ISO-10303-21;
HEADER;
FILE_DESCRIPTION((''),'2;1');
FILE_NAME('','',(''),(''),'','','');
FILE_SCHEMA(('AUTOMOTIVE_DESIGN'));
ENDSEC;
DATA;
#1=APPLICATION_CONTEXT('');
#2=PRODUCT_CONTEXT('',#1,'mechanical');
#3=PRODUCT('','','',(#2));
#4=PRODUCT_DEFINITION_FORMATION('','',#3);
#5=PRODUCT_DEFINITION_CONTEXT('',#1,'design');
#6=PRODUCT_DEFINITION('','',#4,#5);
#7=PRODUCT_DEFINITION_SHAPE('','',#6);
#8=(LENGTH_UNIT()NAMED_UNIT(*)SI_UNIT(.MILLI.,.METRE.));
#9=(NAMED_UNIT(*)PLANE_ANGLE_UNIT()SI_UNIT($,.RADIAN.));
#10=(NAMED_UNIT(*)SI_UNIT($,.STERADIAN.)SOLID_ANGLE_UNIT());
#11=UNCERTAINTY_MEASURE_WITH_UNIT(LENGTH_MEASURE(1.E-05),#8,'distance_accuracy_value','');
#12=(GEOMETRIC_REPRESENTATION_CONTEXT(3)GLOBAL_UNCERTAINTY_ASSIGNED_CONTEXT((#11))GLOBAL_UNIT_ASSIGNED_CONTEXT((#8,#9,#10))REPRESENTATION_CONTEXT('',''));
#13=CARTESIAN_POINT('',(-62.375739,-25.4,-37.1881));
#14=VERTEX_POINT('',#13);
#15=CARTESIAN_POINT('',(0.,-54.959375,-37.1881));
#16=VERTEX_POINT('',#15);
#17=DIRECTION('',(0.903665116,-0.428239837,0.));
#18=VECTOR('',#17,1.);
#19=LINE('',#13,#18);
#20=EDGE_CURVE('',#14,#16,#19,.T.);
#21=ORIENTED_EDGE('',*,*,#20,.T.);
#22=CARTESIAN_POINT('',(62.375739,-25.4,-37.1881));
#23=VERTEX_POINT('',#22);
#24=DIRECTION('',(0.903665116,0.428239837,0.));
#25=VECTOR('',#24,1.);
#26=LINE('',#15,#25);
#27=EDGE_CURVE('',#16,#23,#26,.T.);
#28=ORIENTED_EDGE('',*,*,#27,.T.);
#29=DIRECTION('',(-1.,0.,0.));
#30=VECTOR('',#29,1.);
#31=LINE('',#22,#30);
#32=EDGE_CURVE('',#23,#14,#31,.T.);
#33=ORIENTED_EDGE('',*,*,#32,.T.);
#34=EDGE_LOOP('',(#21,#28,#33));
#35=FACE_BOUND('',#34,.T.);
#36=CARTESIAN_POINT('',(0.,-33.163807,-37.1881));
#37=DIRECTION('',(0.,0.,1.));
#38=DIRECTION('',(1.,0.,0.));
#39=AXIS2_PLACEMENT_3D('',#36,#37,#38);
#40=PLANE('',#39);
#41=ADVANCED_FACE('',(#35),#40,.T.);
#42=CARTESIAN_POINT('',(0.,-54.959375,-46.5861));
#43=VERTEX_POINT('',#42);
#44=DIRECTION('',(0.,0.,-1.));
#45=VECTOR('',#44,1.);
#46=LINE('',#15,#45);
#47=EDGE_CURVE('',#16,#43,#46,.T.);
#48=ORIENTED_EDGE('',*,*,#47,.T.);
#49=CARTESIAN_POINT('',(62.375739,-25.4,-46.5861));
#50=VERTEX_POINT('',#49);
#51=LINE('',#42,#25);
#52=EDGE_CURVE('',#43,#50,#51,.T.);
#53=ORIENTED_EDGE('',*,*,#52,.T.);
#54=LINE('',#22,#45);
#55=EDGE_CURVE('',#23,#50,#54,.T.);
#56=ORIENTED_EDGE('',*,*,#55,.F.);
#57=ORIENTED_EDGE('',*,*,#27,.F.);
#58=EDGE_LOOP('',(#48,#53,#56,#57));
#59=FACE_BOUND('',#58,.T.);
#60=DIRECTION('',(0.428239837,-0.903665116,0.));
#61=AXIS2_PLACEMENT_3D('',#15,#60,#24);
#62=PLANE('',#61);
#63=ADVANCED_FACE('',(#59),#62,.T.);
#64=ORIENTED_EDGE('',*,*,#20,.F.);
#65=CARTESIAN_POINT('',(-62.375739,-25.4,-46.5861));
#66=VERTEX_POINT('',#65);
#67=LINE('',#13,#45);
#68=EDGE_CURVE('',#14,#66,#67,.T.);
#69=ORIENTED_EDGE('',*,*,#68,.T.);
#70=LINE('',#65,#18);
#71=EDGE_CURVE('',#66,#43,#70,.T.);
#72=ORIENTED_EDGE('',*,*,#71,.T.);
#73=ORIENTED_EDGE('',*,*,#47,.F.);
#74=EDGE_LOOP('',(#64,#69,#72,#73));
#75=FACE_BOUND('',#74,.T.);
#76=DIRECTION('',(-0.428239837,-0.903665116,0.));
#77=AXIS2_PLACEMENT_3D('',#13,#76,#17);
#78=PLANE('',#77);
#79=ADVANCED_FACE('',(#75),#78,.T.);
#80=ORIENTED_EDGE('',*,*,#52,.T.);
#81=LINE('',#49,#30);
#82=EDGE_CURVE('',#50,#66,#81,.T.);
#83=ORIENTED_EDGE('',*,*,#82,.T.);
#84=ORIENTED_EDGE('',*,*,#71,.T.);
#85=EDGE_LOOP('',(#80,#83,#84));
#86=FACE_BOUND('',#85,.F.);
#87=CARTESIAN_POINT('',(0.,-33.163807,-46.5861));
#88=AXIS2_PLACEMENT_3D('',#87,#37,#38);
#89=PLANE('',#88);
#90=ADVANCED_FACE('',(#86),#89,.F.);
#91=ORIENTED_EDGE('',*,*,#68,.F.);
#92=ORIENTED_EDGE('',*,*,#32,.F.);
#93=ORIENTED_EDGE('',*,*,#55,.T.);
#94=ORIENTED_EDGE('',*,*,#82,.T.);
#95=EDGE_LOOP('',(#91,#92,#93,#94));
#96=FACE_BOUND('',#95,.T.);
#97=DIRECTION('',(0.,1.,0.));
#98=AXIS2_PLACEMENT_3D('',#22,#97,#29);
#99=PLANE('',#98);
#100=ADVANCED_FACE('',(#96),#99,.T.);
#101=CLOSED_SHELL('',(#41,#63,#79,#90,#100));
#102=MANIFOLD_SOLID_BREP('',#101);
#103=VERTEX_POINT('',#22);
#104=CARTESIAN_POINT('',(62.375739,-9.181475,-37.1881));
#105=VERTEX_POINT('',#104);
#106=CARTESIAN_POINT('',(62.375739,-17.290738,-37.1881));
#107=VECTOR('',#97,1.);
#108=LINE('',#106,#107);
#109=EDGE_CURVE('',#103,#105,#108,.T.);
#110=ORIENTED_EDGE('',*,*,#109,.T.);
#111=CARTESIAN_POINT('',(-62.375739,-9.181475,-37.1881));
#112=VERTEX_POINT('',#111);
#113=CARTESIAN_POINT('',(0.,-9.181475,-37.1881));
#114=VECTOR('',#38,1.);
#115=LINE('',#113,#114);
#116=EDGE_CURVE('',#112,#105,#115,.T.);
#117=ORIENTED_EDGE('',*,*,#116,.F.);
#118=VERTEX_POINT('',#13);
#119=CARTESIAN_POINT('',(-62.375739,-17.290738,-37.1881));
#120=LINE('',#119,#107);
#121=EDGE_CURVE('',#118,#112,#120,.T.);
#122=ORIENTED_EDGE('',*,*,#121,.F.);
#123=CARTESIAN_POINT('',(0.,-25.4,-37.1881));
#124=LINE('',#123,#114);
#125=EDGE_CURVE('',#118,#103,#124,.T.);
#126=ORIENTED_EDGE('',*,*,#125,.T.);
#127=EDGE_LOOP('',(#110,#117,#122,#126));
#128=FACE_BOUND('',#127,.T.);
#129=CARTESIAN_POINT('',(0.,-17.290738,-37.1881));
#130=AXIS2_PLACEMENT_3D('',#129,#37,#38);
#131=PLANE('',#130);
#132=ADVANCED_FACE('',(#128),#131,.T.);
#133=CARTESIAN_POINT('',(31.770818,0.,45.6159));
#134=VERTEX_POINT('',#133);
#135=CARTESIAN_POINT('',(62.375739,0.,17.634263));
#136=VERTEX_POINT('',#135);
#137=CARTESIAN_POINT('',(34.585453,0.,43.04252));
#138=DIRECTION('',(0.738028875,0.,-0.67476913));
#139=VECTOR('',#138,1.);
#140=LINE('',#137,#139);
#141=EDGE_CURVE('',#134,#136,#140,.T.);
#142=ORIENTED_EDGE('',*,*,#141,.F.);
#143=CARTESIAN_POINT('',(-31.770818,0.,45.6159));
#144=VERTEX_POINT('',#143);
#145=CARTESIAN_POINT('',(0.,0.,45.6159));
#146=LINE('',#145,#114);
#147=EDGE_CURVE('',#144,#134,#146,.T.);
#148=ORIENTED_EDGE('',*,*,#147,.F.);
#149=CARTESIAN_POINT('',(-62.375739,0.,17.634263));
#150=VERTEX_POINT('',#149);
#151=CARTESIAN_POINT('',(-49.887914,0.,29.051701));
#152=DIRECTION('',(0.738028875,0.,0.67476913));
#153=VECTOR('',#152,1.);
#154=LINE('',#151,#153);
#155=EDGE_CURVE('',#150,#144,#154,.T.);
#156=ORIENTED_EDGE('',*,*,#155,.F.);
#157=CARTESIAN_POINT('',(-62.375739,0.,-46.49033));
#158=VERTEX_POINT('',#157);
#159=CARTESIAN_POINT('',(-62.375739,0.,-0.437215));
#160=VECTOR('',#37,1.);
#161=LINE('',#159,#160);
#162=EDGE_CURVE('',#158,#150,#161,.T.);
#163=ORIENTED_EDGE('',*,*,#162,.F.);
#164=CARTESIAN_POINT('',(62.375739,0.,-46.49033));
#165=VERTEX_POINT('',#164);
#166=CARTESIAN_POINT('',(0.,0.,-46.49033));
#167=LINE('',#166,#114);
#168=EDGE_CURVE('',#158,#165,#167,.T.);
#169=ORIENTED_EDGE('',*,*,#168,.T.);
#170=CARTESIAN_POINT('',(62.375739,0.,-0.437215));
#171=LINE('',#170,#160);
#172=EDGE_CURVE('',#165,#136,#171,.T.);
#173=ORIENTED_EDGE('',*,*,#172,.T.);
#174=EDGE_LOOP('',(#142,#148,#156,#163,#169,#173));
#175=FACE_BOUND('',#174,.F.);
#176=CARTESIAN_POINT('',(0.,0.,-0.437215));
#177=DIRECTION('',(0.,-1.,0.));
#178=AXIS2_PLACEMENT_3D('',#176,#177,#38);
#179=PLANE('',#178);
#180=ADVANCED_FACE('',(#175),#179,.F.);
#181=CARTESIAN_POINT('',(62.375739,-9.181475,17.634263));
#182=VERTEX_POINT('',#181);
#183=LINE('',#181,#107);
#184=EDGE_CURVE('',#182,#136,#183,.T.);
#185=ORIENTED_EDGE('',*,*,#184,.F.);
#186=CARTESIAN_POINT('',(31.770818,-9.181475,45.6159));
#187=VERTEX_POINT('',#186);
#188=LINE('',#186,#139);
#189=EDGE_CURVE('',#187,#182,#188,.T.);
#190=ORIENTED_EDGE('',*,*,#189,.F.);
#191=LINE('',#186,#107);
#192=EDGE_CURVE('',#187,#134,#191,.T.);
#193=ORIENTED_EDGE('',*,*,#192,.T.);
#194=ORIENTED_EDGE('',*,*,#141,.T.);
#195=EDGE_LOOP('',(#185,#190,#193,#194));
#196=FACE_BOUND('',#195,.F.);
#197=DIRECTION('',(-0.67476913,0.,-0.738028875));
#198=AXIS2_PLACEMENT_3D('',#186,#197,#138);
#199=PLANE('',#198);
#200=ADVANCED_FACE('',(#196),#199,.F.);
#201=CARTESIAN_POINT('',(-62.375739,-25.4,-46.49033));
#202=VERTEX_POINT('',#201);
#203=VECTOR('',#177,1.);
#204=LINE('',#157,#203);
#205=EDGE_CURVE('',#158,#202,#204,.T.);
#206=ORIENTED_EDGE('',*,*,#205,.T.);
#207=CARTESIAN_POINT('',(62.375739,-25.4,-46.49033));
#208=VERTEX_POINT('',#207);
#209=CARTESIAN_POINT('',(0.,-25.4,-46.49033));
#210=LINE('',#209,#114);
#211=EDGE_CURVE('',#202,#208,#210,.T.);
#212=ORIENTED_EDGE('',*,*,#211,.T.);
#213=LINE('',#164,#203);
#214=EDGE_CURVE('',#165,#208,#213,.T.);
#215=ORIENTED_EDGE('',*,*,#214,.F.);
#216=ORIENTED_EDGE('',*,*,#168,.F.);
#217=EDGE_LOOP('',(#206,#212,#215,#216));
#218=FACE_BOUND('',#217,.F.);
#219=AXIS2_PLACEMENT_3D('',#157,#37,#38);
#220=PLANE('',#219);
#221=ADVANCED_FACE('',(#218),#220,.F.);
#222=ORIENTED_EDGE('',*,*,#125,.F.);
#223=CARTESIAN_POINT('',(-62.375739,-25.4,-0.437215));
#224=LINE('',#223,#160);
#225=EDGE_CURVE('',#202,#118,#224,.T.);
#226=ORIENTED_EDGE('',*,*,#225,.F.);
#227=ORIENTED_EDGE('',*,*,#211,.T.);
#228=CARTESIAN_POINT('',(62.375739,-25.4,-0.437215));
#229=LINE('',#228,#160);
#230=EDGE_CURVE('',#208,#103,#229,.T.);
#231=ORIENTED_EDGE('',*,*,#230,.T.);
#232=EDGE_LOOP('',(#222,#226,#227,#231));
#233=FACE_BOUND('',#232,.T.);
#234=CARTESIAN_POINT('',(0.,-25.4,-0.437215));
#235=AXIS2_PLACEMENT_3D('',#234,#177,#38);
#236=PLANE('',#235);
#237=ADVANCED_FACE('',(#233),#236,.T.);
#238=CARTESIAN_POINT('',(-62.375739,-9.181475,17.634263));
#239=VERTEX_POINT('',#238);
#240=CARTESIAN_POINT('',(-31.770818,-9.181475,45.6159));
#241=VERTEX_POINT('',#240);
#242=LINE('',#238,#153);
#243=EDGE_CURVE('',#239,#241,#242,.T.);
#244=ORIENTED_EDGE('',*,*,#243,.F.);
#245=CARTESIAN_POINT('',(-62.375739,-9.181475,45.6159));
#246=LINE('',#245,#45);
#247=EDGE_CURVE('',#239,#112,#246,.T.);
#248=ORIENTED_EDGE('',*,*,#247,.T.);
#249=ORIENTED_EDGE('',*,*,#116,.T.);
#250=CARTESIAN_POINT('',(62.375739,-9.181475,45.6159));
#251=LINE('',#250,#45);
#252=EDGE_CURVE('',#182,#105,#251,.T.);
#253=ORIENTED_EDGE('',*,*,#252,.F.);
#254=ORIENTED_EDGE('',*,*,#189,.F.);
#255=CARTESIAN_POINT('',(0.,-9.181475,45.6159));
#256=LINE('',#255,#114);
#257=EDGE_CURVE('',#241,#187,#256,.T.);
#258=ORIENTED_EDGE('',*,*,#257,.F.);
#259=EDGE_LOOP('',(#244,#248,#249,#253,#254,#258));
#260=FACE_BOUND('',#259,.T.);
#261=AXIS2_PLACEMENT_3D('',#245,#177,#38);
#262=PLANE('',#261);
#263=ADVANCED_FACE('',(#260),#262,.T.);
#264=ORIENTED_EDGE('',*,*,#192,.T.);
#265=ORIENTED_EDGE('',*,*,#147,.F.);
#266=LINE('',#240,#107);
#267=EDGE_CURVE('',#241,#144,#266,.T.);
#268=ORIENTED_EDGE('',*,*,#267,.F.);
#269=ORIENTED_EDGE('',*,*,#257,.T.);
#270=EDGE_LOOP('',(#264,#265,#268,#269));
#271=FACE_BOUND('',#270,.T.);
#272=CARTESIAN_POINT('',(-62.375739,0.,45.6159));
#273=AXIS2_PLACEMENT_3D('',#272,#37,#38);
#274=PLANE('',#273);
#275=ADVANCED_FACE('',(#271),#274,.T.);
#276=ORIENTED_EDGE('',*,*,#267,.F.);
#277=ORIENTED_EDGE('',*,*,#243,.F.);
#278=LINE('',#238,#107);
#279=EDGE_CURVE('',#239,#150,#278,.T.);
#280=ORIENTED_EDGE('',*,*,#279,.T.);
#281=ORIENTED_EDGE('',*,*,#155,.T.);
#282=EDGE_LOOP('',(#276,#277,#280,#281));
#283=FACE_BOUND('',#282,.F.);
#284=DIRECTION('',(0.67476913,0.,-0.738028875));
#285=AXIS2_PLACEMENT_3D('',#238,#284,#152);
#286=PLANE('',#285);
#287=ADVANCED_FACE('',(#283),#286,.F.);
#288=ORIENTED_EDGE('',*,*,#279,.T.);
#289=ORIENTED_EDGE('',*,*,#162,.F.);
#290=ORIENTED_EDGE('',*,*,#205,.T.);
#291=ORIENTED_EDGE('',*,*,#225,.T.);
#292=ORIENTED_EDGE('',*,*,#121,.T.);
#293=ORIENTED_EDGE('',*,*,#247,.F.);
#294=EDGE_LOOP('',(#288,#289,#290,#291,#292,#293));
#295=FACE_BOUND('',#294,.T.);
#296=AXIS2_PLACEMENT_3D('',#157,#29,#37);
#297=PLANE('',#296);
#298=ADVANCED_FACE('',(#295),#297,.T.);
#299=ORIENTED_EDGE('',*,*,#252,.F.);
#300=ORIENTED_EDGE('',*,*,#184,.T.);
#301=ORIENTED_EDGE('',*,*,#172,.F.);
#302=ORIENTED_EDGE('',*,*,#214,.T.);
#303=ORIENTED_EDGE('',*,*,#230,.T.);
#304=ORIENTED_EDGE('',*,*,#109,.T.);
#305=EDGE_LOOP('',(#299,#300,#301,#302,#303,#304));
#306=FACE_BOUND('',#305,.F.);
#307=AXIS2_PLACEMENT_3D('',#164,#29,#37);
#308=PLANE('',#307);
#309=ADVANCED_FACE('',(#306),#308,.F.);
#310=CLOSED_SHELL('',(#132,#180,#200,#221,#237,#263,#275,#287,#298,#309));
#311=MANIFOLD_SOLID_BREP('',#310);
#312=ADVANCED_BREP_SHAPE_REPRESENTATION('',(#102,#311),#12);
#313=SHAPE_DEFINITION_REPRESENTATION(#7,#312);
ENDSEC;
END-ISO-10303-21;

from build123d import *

# Parameters (mm, degrees)
F0_W     = 124.7514784336
F0_H     = 92.106230557
F1_DEPTH = 25.4
F2_W     = 124.7514784336
F2_H     = 16.2185247332
F3_DEPTH = 82.804
F5_DEPTH = 25.4
F7_DEPTH = 9.398


with BuildPart() as f1:
    # F0 (on Front) → F1 (new body)
    with BuildSketch(Plane.XZ):
        with Locations((0, -0.4372149706)):
            Rectangle(F0_W, F0_H)
    extrude(amount=F1_DEPTH)

    # F2 (on face) → F3 (cut)
    with BuildSketch(Plane.XY.offset(45.6159003079)):
        with Locations((0, -17.2907376334)):
            Rectangle(F2_W, F2_H)
    extrude(amount=-F3_DEPTH, mode=Mode.SUBTRACT)

    # F4 (on face) → F5 (cut)
    with BuildSketch(Plane.XZ.offset(9.1814752668)):
        Polygon((62.3757392168, 45.6159003079), (31.7708179355, 45.6159003079), (62.3757392168, 17.6342632622), align=None)
        Polygon((-62.3757392168, 17.6342632622), (-31.7708179355, 45.6159003079), (-62.3757392168, 45.6159003079), align=None)
    extrude(amount=-F5_DEPTH, mode=Mode.SUBTRACT)


with BuildPart() as f7:
    # F6 (on face) → F7 (new body)
    with BuildSketch(Plane.XY.offset(-37.1880996921)):
        Polygon((62.3757392168, -25.4), (-62.3757392168, -25.4), (0, -54.9593754113), align=None)
    extrude(amount=-F7_DEPTH)


solid = Compound([f1.part, f7.part])
